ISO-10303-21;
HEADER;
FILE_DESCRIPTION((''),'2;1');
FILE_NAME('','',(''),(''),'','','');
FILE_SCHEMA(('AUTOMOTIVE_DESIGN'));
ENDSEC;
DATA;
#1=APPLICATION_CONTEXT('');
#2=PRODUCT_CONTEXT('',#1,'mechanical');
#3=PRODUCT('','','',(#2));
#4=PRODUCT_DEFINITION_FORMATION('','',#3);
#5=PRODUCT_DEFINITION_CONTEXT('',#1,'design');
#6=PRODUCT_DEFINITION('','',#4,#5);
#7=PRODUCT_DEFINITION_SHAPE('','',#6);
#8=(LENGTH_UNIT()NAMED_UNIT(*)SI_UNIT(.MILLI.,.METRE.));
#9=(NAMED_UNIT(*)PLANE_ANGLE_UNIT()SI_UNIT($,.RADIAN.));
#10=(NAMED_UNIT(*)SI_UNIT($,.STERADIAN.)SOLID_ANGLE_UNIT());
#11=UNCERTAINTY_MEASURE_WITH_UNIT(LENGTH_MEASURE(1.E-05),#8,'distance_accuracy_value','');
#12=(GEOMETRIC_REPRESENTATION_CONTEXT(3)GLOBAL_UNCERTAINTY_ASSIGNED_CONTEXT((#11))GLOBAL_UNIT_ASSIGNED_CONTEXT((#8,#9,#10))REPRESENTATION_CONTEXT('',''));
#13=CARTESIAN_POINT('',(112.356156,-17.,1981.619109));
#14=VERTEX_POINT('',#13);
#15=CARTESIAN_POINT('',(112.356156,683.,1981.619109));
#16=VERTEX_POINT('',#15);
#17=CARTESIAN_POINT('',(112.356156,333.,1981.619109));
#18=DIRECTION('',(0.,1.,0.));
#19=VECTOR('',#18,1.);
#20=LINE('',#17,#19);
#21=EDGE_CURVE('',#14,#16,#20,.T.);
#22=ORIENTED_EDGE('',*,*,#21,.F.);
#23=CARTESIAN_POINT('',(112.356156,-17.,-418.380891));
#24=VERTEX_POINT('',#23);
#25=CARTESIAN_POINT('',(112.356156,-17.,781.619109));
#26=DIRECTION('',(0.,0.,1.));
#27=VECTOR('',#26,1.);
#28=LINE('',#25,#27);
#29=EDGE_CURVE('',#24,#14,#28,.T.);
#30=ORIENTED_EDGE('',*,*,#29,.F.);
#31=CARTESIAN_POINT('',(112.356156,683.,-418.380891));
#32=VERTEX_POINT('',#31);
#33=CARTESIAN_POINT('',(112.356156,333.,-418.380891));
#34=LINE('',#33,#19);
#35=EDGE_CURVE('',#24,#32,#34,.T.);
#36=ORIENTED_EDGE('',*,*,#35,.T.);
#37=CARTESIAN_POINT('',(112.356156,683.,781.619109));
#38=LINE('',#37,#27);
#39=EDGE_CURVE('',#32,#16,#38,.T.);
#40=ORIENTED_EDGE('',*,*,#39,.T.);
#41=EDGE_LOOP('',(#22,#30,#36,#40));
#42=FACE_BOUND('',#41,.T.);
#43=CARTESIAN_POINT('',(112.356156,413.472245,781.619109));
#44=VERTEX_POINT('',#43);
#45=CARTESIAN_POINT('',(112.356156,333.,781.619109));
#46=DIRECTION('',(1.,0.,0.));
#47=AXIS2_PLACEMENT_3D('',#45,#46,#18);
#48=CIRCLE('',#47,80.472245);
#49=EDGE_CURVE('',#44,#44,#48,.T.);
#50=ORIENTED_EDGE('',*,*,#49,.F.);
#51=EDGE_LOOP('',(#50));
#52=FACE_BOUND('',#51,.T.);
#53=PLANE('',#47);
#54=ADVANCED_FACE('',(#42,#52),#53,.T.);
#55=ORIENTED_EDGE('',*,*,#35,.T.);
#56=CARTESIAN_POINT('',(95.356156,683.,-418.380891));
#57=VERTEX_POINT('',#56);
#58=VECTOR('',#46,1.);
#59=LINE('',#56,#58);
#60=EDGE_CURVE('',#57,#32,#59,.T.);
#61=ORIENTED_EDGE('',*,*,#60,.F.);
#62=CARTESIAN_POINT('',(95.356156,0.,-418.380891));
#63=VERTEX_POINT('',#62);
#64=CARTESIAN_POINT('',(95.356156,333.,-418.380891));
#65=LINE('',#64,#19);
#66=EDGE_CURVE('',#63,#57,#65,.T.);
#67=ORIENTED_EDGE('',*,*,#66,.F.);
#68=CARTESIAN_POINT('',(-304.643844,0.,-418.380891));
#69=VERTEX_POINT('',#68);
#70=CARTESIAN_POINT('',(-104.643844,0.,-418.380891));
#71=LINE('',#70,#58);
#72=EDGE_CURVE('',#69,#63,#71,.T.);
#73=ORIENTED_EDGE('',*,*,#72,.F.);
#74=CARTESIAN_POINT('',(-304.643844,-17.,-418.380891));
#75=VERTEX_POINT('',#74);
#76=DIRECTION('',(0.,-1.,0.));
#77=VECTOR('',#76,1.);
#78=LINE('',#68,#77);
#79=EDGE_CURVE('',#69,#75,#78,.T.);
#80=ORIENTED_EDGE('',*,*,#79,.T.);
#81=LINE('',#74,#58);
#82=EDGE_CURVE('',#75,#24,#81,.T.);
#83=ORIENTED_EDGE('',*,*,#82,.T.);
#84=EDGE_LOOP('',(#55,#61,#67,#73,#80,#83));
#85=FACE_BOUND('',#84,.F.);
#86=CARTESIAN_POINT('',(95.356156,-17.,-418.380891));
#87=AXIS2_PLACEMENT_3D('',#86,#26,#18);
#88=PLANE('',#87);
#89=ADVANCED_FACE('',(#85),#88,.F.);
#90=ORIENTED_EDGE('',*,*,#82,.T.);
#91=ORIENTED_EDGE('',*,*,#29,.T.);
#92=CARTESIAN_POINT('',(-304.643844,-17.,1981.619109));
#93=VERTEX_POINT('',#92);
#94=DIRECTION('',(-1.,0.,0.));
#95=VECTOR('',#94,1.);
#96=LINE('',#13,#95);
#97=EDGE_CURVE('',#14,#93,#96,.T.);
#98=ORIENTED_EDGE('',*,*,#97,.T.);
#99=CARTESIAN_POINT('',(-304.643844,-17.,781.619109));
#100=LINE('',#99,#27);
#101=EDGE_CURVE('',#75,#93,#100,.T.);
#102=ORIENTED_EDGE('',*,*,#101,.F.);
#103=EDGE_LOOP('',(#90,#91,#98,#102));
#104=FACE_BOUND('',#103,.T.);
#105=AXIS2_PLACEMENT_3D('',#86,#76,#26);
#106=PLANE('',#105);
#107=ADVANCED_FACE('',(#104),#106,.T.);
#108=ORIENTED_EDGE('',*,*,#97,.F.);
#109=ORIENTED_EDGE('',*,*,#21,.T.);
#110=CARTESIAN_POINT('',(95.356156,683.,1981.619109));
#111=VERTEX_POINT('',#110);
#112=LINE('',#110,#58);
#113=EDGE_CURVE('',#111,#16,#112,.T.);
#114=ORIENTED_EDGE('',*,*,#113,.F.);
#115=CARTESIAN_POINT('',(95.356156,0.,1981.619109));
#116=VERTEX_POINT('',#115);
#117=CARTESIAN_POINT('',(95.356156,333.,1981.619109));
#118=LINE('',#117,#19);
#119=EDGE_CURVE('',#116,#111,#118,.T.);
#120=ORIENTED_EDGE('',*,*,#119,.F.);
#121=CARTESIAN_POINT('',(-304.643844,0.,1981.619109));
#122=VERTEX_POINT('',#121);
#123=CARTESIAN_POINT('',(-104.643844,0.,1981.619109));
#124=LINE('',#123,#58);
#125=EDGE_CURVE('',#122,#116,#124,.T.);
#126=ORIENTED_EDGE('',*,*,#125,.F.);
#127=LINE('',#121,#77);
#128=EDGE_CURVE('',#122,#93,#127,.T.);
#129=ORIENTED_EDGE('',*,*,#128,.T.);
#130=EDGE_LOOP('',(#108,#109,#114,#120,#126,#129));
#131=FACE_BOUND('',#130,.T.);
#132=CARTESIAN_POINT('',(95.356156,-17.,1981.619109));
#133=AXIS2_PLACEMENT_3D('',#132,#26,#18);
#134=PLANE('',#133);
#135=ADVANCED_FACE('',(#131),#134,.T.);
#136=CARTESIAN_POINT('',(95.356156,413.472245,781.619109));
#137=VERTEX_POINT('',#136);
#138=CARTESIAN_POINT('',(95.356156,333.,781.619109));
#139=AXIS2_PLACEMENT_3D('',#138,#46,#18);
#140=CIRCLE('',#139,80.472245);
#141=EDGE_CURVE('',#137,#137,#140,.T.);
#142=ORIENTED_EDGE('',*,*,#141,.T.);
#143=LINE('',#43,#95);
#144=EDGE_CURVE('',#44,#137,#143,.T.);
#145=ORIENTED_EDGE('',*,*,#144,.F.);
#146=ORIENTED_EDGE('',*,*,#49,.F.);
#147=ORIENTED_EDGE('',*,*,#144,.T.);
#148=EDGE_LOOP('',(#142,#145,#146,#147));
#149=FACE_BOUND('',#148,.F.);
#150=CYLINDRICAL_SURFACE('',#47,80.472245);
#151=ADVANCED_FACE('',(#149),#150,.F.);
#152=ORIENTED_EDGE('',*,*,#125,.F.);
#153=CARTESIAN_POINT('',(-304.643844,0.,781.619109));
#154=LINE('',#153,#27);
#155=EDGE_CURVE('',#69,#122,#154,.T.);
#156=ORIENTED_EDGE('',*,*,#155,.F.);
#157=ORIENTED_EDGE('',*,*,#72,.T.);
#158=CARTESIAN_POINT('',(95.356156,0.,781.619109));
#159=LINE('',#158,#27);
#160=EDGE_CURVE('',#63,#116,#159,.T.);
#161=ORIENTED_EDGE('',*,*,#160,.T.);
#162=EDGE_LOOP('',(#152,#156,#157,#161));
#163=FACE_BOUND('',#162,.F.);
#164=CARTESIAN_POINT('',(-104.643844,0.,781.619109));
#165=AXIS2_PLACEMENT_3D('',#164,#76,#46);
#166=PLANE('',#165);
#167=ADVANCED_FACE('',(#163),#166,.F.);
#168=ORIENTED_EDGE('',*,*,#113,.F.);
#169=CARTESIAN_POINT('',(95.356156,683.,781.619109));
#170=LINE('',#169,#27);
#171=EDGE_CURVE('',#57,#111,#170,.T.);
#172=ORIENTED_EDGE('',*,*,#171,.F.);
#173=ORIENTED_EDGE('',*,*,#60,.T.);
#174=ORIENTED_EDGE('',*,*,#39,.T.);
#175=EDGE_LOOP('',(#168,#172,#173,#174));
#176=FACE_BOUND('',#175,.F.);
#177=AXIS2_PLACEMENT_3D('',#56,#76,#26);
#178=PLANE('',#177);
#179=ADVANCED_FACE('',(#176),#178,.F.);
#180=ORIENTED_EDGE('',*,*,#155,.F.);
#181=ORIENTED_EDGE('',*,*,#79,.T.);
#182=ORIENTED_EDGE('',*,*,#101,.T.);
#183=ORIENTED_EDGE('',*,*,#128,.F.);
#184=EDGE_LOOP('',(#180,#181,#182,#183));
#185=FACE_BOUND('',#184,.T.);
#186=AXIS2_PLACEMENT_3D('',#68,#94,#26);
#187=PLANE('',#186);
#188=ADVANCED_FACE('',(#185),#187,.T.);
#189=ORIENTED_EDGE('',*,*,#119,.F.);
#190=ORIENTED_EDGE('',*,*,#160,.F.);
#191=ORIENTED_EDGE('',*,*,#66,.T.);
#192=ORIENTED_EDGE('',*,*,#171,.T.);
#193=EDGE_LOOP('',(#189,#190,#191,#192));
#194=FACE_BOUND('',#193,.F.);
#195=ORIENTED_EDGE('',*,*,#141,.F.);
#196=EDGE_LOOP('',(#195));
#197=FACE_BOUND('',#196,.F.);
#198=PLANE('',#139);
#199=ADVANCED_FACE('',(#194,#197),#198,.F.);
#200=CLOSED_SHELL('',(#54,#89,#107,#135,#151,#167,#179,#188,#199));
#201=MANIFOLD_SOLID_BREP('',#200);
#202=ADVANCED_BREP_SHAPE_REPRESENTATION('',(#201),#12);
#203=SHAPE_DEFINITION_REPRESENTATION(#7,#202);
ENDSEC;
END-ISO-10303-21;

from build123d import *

# Parameters (mm, degrees)
F0_W     = 400
F0_H     = 2400
F1_DEPTH = 17
F2_W     = 700
F2_H     = 2400
F3_DEPTH = 17
F4_R     = 80.472245
F5_DEPTH = 25


with BuildPart() as f1:
    # F0 (on Front) → F1 (new body)
    with BuildSketch(Plane.XZ):
        with Locations((-104.643844, 781.619109)):
            Rectangle(F0_W, F0_H)
    extrude(amount=F1_DEPTH)

    # F2 (on face) → F3 (join)
    with BuildSketch(Plane.YZ.offset(95.356156)):
        with Locations((333, 781.619109)):
            Rectangle(F2_W, F2_H)
    extrude(amount=F3_DEPTH)

    # F4 (on face) → F5 (cut)
    with BuildSketch(Plane.YZ.offset(112.356156)):
        with Locations((333, 781.619109)):
            Circle(F4_R)
    extrude(amount=-F5_DEPTH, mode=Mode.SUBTRACT)


solid = f1.part
